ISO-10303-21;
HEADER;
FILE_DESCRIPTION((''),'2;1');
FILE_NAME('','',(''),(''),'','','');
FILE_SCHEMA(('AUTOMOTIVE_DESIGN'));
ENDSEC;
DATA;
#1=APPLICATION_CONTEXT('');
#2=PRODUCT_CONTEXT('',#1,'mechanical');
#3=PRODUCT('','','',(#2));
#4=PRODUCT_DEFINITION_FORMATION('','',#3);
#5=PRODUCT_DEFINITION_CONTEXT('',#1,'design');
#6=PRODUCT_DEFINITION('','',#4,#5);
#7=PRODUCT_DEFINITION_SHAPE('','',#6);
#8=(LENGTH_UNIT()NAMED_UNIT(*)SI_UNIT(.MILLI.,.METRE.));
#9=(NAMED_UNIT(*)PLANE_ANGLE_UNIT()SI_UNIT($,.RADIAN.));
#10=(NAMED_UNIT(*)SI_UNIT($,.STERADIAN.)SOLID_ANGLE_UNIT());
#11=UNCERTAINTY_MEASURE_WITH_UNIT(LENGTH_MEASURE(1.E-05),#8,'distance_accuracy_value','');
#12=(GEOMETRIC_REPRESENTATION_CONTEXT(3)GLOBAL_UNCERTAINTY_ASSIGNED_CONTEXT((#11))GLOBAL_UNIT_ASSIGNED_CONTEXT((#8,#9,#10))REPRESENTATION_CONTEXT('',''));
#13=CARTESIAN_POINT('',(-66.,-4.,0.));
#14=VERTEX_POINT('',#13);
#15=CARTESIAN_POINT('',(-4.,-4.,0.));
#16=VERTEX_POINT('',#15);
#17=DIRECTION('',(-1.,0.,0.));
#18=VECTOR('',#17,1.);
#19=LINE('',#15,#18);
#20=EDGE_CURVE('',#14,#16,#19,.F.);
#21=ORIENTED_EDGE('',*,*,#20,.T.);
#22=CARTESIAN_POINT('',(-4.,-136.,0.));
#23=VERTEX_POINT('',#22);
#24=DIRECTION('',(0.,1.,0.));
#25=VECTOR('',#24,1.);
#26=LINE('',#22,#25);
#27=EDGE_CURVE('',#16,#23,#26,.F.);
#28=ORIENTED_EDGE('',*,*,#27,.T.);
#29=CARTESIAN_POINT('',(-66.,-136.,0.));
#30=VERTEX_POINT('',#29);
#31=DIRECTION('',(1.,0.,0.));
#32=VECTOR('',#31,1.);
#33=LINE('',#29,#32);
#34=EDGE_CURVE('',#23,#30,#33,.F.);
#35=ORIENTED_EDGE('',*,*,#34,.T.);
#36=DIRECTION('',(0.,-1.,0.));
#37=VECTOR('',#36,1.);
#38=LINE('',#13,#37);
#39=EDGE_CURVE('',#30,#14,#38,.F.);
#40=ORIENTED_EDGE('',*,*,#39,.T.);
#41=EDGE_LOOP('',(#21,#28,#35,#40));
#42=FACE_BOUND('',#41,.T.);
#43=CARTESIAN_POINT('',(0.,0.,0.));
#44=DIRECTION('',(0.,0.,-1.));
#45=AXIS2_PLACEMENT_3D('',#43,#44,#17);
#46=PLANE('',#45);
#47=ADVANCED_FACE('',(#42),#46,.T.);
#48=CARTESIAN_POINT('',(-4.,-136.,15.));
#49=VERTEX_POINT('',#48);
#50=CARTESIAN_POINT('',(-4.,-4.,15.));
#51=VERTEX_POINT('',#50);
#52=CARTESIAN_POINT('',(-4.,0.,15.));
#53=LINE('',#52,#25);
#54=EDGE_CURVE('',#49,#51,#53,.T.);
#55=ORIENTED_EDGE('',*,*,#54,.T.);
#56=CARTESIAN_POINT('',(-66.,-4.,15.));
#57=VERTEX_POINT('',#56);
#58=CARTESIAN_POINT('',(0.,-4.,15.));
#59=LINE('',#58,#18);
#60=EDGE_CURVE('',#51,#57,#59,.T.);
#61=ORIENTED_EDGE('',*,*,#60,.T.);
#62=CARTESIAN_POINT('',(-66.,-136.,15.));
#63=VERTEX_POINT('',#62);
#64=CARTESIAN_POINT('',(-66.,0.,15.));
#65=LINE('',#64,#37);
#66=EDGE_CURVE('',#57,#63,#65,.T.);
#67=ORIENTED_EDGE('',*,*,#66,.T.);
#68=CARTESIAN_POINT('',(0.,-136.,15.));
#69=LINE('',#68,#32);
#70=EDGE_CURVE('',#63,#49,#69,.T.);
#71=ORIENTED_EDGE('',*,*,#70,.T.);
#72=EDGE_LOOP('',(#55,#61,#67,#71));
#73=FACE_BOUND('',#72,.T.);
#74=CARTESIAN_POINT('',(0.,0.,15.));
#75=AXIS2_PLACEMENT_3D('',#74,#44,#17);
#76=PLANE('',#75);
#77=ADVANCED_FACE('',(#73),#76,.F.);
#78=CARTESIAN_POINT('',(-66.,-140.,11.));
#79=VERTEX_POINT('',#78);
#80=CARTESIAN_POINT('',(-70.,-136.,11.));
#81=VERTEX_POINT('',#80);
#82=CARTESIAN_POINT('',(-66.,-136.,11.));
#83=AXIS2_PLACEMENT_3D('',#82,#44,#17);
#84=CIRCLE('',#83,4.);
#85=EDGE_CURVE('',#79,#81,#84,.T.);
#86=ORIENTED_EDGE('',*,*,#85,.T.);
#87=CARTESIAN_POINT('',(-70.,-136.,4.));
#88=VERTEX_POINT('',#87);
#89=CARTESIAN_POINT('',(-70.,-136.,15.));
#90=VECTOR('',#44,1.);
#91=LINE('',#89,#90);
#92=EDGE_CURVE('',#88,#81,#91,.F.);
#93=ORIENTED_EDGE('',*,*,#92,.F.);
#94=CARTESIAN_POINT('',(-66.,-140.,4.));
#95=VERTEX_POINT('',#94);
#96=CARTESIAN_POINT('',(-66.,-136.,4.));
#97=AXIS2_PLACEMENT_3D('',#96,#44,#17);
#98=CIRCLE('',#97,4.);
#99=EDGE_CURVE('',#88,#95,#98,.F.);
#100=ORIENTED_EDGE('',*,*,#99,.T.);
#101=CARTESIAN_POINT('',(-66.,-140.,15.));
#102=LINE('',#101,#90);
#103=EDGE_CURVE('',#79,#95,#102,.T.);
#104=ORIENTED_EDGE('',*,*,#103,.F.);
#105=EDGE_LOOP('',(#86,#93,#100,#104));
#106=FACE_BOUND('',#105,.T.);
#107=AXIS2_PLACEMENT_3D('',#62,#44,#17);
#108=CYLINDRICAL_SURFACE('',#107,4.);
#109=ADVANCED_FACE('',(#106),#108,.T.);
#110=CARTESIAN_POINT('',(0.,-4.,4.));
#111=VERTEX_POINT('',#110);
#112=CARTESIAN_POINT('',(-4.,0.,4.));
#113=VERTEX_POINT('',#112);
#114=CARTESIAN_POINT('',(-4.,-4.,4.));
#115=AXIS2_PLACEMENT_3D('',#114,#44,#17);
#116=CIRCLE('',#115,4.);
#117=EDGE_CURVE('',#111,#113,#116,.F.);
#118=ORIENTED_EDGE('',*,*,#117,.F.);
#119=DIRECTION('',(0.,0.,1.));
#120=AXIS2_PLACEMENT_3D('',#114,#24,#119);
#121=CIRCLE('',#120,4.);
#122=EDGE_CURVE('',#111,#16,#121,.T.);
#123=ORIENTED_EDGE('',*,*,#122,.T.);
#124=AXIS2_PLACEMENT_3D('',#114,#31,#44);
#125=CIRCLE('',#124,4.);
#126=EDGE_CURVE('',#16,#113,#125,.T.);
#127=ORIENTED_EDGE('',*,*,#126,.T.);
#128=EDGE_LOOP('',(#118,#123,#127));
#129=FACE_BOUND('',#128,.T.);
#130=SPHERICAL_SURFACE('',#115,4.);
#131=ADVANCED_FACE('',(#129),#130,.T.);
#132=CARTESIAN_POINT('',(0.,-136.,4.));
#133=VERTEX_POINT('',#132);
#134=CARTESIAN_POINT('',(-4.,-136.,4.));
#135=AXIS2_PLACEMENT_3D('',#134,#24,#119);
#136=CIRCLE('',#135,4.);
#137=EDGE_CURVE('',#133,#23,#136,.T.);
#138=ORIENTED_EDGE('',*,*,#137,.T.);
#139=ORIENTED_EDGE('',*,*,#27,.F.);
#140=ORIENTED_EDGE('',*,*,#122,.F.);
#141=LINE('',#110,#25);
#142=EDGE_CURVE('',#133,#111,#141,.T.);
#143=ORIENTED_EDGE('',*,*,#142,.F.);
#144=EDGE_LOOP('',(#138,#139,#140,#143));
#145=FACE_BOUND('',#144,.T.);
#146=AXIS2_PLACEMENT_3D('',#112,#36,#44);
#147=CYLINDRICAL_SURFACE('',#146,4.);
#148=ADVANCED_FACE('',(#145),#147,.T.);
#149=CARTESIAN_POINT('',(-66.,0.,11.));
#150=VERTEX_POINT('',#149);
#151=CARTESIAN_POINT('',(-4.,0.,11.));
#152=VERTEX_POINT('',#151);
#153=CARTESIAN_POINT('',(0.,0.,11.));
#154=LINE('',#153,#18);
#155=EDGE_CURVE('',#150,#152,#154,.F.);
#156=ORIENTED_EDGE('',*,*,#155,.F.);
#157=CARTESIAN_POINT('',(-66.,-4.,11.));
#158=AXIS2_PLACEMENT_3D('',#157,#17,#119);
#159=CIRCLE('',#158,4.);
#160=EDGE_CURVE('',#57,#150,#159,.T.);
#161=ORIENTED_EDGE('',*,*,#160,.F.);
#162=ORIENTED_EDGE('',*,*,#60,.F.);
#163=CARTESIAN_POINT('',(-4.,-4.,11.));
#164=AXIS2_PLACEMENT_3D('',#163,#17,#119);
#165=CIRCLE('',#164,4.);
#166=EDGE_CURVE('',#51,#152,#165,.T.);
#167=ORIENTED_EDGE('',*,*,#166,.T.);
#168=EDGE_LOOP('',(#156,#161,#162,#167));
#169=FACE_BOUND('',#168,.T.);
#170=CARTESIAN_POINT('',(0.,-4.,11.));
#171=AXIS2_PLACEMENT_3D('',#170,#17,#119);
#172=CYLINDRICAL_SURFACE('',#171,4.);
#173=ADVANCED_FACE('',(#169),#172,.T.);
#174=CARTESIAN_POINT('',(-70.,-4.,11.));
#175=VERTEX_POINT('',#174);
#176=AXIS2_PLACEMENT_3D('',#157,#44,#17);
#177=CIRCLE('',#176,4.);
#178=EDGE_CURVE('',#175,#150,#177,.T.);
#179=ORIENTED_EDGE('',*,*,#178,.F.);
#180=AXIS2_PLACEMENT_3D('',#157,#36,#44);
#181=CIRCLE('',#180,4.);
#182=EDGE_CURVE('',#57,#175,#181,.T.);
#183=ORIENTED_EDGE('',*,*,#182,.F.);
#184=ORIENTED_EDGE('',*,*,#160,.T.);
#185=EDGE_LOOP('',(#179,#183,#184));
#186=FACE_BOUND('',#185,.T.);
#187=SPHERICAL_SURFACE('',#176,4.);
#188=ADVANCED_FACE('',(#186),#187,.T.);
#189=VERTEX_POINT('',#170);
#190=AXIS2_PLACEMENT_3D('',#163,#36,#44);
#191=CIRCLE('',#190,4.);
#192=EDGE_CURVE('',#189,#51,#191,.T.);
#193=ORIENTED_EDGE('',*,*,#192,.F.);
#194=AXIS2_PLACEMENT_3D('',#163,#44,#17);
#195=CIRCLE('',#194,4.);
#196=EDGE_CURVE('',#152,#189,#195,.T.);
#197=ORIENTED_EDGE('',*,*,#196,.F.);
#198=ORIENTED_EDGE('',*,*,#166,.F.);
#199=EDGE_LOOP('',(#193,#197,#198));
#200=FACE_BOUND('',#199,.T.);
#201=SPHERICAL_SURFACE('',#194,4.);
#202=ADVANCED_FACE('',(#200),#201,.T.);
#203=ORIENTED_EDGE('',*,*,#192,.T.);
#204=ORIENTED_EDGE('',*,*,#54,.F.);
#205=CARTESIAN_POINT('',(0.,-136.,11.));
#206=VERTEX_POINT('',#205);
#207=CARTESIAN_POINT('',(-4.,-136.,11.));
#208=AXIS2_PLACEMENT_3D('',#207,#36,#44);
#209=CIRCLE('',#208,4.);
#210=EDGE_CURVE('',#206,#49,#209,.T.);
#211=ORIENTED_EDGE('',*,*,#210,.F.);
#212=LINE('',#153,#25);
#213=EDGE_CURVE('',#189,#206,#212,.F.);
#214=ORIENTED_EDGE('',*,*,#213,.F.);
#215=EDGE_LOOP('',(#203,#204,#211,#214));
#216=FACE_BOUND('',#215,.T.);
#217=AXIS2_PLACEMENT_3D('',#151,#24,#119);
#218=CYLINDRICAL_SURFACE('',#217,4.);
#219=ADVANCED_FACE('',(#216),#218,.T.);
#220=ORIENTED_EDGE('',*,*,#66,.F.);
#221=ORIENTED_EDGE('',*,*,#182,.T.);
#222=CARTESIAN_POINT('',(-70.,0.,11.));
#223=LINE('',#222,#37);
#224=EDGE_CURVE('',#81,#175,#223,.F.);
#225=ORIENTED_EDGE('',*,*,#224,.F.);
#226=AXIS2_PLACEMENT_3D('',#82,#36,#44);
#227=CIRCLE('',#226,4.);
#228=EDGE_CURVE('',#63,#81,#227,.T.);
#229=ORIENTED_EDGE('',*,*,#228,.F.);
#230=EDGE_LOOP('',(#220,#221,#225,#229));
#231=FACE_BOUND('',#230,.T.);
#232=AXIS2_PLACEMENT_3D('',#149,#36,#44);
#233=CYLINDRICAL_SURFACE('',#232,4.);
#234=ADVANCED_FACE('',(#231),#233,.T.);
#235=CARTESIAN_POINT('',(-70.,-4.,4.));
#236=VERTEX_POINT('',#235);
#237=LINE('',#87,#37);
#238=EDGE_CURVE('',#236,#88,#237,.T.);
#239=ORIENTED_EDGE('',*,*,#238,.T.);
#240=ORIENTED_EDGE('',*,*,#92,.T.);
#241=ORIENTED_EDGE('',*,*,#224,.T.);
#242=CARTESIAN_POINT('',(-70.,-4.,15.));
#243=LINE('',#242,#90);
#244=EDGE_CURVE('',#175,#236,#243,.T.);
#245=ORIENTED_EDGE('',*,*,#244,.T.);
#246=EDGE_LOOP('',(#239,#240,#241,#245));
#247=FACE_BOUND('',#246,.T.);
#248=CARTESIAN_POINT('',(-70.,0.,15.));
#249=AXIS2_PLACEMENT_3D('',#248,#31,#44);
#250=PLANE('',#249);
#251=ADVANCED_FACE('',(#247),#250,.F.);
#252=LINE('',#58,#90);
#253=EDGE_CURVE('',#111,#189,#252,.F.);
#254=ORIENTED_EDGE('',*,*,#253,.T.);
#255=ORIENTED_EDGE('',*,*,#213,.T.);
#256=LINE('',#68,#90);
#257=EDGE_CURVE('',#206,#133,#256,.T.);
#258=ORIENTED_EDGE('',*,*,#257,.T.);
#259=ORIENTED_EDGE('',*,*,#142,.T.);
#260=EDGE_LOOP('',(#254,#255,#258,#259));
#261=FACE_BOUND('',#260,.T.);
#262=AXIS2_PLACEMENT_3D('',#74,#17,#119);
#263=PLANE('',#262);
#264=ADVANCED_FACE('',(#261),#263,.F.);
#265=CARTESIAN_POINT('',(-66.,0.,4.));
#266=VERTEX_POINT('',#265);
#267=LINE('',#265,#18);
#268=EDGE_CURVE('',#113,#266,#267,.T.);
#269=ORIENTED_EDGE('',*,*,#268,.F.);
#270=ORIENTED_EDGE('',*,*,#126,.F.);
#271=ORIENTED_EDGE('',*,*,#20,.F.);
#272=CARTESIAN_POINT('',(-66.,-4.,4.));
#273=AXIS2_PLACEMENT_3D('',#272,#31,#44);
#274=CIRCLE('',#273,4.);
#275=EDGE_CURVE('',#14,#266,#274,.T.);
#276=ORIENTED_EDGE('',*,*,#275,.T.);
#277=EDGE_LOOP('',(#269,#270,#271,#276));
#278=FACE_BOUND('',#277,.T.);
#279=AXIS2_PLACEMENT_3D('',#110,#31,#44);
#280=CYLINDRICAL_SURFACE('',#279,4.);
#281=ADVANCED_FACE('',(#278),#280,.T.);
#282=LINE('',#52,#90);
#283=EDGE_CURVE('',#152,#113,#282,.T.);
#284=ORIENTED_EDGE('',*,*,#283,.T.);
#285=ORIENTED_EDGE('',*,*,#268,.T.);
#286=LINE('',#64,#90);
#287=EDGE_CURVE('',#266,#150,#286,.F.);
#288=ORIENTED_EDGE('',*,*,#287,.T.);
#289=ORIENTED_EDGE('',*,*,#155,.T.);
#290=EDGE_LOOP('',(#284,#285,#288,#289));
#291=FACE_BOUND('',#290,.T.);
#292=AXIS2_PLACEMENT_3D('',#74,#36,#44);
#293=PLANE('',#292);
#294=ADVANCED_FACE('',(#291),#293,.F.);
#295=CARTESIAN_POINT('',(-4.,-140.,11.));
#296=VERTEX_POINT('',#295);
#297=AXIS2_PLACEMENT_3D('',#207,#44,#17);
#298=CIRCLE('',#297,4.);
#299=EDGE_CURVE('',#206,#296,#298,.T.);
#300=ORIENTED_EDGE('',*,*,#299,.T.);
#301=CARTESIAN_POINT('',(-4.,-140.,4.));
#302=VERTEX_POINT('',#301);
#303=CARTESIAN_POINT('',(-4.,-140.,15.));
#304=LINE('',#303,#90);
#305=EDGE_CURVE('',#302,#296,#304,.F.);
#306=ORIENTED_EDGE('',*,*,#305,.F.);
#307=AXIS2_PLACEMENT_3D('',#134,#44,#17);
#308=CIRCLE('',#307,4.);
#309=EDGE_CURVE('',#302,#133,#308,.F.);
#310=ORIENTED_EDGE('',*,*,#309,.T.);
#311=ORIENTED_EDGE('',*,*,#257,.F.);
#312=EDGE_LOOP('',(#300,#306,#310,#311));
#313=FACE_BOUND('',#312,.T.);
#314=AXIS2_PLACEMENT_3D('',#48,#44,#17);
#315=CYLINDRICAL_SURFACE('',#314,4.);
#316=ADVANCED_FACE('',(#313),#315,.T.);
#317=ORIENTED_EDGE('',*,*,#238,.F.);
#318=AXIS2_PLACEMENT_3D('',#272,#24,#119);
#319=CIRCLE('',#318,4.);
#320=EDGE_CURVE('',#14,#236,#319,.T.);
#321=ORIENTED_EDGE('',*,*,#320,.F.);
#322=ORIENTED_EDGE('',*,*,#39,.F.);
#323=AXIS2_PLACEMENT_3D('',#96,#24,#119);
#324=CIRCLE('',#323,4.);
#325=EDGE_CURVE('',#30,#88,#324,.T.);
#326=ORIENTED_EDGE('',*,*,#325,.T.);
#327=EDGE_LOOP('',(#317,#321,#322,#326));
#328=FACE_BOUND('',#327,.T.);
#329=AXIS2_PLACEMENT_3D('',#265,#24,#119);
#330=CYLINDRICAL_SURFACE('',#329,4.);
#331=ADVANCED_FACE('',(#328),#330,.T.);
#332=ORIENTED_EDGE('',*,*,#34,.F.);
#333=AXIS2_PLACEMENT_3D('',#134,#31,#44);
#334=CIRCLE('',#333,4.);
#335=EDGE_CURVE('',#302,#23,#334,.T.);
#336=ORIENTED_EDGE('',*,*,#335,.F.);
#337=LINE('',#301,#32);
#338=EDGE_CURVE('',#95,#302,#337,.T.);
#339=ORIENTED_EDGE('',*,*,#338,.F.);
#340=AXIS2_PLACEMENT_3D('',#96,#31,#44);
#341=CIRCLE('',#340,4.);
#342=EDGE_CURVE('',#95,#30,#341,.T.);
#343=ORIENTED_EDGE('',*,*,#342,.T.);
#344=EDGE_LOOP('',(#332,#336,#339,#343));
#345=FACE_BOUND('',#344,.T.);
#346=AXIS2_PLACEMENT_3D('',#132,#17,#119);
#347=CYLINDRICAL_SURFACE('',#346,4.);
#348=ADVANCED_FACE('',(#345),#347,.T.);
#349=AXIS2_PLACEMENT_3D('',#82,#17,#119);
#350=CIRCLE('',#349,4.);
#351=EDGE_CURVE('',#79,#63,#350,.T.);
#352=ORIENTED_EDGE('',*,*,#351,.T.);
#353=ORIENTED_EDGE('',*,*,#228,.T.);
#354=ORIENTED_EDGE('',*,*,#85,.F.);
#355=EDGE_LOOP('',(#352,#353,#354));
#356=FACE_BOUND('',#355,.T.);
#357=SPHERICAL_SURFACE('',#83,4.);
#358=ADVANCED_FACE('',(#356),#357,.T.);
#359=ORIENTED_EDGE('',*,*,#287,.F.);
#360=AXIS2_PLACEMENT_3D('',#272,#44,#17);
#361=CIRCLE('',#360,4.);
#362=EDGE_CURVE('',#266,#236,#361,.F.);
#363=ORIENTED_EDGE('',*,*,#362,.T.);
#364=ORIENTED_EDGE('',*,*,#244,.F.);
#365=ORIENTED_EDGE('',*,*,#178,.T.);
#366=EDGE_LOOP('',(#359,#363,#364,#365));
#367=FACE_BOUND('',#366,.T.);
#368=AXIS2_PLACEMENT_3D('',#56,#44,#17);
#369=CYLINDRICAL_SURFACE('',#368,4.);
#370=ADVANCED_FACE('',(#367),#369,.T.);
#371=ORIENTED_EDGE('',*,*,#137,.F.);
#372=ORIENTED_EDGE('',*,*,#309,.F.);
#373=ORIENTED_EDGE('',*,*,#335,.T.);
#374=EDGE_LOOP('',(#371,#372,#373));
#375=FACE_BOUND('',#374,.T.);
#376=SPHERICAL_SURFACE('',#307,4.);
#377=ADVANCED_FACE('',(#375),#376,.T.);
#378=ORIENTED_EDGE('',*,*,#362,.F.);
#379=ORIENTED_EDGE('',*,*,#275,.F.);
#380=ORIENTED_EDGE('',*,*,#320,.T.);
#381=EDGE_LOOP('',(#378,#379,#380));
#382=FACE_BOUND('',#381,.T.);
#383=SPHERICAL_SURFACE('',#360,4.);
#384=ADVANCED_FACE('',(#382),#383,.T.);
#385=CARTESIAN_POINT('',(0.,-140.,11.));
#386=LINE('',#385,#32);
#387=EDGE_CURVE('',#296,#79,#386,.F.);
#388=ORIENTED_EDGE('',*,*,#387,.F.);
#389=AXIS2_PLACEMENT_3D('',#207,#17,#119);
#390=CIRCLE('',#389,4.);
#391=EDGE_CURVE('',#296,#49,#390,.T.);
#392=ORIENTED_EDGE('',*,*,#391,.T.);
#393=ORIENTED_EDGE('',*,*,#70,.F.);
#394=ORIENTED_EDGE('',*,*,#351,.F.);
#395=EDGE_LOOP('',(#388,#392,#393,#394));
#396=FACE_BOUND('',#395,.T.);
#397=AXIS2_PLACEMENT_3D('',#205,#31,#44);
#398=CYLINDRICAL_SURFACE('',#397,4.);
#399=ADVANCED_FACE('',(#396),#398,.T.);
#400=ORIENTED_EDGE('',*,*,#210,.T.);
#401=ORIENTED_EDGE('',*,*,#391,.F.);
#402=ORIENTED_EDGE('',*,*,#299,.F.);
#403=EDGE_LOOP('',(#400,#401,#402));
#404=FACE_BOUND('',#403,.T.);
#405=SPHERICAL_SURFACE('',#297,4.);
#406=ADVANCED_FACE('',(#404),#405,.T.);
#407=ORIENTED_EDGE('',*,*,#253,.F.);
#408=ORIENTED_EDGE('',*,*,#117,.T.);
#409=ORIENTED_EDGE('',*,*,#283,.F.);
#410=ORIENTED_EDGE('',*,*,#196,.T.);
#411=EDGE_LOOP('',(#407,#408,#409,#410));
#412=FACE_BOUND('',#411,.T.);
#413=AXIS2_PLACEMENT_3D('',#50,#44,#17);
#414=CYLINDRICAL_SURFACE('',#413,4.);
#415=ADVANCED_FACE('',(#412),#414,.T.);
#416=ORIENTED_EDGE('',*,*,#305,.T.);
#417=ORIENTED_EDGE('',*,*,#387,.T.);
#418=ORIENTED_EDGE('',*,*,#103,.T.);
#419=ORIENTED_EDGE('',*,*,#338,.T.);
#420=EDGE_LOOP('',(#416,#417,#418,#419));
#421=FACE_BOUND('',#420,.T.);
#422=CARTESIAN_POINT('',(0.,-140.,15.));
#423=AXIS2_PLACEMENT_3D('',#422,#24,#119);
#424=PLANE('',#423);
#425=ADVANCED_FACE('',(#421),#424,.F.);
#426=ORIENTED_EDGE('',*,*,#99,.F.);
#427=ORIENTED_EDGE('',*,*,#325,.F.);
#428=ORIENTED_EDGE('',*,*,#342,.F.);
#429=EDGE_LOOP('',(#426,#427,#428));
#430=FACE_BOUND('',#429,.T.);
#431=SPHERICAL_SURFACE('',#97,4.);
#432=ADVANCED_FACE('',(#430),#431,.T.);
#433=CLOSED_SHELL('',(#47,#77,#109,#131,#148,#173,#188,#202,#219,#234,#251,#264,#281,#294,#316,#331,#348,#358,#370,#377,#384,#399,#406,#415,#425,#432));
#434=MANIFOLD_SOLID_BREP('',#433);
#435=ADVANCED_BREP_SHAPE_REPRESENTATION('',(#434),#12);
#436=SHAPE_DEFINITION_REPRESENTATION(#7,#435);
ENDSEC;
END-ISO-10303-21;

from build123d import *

# Parameters (mm, degrees)
ESQUISSE1_W        = 70
ESQUISSE1_H        = 140
BOSS_EXTRU_1_DEPTH = 15
CONG_1_R           = 4
CONG_2_R           = 4
CONG_3_R           = 4


with BuildPart() as part:
    # Esquisse1 → Boss.-Extru.1 (new body)
    with BuildSketch(Plane.XY):
        with Locations((-35, -70)):
            Rectangle(ESQUISSE1_W, ESQUISSE1_H)
    extrude(amount=BOSS_EXTRU_1_DEPTH)

    # Congé1
    cong_1_edges = [part.edges().sort_by_distance(p)[0] for p in [
        (0, -140, 7.5),
        (-70, -140, 7.5),
        (-70, 0, 7.5),
        (0, 0, 7.5),
    ]]
    fillet(cong_1_edges, radius=CONG_1_R)

    # Congé2
    cong_2_edges = [part.edges().sort_by_distance(p)[0] for p in [
        (0, -70, 15),
        (-35, -140, 15),
        (-35, 0, 15),
        (-70, -70, 15),
        (-1.171572875, -1.171572875, 15),
        (-68.828427125, -1.171572875, 15),
        (-68.828427125, -138.828427125, 15),
        (-1.171572875, -138.828427125, 15),
    ]]
    fillet(cong_2_edges, radius=CONG_2_R)

    # Congé3
    cong_3_edges = [part.edges().sort_by_distance(p)[0] for p in [
        (0, -70, 0),
        (-35, -140, 0),
        (-70, -70, 0),
        (-35, 0, 0),
        (-1.171572875, -1.171572875, 0),
        (-68.828427125, -1.171572875, 0),
        (-68.828427125, -138.828427125, 0),
        (-1.171572875, -138.828427125, 0),
    ]]
    fillet(cong_3_edges, radius=CONG_3_R)


solid = part.part
